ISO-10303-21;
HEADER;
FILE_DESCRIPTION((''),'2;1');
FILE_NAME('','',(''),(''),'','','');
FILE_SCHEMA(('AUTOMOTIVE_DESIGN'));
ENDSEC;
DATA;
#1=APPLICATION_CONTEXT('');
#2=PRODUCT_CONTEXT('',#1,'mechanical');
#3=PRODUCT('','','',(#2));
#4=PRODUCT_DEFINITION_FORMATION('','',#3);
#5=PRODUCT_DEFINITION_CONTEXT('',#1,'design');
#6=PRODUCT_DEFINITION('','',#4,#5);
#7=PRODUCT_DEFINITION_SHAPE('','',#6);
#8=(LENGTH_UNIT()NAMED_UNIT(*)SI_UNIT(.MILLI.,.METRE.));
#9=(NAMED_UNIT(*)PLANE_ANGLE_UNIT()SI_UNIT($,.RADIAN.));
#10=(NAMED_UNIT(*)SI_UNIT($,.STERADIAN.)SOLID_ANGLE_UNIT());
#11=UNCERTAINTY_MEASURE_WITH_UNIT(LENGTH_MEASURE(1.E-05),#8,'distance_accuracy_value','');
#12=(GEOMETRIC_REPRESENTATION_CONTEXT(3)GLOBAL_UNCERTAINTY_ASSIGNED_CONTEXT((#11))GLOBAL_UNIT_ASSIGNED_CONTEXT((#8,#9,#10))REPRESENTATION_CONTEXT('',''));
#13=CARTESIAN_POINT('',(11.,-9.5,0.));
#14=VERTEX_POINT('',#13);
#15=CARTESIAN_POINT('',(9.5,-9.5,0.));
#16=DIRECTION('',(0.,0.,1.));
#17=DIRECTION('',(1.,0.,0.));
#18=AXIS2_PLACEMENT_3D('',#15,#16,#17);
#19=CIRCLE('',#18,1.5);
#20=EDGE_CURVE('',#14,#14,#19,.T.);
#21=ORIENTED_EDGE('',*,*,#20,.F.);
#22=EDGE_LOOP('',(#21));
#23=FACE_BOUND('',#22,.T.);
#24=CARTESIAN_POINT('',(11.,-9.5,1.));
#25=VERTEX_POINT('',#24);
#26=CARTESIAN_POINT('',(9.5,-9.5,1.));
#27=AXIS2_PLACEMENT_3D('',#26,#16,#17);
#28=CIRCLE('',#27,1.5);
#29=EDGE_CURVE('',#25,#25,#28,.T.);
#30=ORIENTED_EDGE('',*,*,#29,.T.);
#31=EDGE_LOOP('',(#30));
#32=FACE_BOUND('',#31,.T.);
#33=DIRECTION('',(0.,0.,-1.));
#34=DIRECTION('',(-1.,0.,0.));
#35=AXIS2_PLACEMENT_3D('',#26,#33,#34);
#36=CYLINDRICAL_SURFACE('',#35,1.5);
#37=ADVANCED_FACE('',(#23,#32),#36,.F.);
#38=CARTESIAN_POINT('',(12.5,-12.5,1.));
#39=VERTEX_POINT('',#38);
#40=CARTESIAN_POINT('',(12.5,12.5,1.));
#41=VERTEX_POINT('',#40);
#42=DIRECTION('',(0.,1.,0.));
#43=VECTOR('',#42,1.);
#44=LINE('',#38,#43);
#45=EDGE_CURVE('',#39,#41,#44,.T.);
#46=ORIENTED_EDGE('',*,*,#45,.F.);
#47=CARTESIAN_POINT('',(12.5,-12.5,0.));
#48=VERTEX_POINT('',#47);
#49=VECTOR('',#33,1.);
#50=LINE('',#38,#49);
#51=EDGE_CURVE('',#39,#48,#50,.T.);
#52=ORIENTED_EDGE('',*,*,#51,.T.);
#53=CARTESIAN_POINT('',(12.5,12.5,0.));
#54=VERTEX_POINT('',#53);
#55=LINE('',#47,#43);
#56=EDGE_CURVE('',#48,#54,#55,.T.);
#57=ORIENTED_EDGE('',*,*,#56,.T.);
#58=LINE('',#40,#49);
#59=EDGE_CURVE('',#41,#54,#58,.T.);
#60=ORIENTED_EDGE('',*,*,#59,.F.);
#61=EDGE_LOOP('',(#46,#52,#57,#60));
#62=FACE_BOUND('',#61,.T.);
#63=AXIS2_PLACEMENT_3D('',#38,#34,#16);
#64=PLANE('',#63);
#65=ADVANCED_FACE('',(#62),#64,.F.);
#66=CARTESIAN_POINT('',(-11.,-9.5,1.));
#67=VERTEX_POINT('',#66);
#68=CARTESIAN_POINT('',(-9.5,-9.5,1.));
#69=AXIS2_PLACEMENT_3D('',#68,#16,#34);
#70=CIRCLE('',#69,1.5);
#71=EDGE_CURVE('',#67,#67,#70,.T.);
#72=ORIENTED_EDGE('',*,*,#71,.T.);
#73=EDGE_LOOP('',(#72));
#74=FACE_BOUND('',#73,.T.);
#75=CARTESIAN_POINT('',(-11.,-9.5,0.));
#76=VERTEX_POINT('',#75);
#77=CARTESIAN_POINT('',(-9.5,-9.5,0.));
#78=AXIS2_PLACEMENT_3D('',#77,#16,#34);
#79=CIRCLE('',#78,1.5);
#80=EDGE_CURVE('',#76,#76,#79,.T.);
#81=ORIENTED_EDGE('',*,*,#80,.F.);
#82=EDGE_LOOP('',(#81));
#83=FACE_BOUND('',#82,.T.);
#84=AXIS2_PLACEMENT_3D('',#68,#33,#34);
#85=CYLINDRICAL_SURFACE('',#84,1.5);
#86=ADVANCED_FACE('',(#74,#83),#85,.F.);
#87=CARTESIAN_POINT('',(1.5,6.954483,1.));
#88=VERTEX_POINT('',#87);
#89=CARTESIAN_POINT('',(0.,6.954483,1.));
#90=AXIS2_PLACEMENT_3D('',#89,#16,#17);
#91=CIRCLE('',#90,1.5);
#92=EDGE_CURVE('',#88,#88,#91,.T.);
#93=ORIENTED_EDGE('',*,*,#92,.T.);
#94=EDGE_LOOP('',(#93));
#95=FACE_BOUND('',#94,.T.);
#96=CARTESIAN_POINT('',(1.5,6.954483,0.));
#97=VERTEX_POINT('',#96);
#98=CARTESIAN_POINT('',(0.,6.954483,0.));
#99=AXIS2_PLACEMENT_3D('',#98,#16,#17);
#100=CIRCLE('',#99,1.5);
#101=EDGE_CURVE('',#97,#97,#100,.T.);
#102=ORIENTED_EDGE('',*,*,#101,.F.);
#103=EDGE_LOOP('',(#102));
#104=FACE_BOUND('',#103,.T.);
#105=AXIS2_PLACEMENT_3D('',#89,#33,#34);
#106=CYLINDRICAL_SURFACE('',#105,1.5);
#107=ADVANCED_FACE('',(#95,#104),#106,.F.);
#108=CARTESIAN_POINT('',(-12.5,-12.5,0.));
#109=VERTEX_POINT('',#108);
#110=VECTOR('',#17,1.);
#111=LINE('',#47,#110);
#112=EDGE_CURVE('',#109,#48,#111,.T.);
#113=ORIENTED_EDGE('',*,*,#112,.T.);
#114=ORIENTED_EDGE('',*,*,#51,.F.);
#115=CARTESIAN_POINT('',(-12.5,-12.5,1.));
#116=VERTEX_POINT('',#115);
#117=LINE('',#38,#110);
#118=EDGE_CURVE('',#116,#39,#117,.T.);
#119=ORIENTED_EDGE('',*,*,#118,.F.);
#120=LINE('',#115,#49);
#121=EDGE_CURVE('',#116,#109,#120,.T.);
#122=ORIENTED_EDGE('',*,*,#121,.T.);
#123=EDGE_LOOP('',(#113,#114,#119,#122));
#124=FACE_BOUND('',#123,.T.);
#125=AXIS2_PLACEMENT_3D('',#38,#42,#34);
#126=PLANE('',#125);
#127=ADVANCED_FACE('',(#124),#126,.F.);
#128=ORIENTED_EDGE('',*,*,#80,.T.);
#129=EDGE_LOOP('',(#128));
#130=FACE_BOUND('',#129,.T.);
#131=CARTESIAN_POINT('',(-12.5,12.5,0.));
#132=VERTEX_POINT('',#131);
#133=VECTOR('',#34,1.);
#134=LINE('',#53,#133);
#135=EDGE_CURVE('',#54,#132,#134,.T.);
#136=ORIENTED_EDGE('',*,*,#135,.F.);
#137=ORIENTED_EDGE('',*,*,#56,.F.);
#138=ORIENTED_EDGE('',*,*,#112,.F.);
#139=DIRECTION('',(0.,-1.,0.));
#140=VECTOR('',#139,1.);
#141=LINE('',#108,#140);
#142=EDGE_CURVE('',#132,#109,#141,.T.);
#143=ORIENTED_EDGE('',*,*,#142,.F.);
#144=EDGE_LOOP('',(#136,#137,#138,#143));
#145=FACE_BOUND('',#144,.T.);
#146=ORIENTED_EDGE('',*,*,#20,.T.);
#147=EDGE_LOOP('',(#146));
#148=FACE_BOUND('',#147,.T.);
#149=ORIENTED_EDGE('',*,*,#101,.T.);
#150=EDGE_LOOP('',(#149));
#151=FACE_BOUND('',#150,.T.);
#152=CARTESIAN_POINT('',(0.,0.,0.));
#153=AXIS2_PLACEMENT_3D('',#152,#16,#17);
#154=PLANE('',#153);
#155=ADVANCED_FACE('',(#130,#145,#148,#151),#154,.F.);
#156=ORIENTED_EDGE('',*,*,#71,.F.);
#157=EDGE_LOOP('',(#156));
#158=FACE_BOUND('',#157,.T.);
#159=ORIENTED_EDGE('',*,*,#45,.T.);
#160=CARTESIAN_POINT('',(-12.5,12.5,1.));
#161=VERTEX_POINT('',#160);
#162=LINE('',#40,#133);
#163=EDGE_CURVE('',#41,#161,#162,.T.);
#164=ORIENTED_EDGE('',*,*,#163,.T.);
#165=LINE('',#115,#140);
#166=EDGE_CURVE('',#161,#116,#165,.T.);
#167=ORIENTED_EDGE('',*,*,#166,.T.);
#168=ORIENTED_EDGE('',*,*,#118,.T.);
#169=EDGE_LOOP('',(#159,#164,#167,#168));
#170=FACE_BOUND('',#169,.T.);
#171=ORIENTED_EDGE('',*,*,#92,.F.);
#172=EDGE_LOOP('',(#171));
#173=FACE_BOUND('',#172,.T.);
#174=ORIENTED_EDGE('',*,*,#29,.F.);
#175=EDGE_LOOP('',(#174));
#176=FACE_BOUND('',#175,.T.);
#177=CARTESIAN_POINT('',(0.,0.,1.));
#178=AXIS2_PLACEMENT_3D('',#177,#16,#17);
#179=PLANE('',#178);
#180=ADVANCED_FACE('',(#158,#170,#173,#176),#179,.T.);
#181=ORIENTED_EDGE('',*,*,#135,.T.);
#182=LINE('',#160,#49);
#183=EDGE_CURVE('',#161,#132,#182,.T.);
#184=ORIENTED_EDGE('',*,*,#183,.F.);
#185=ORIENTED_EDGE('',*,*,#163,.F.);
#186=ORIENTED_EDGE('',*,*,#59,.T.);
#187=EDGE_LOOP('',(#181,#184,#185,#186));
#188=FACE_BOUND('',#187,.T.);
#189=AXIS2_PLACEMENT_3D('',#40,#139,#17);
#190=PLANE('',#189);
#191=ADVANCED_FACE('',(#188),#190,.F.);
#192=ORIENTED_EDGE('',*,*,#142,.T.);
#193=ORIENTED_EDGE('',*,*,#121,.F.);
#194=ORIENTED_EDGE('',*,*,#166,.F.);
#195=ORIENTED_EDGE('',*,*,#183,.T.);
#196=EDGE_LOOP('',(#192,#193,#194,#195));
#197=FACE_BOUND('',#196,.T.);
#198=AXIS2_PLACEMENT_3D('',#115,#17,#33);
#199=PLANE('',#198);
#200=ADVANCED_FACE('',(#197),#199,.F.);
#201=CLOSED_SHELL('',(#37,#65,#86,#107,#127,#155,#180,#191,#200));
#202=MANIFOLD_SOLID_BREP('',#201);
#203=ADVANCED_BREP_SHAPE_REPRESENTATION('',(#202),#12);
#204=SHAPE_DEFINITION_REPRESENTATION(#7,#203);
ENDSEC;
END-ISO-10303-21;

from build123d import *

# Parameters (mm, degrees)
SKETCH_1_W      = 25
SKETCH_1_H      = 25
SKETCH_1_R      = 1.5
EXTRUDE_1_DEPTH = 1


with BuildPart() as part:
    # 草图1 → 凸台-拉伸1 (new body)
    with BuildSketch(Plane.XY):
        Rectangle(SKETCH_1_W, SKETCH_1_H)
        with Locations((9.5, -9.5)):
            Circle(SKETCH_1_R, mode=Mode.SUBTRACT)
        with Locations(Location((-9.5, -9.5, 0), (0, 0, 180))):
            Circle(SKETCH_1_R, mode=Mode.SUBTRACT)
        with Locations((0, 6.954482672)):
            Circle(SKETCH_1_R, mode=Mode.SUBTRACT)
    extrude(amount=EXTRUDE_1_DEPTH)


solid = part.part
